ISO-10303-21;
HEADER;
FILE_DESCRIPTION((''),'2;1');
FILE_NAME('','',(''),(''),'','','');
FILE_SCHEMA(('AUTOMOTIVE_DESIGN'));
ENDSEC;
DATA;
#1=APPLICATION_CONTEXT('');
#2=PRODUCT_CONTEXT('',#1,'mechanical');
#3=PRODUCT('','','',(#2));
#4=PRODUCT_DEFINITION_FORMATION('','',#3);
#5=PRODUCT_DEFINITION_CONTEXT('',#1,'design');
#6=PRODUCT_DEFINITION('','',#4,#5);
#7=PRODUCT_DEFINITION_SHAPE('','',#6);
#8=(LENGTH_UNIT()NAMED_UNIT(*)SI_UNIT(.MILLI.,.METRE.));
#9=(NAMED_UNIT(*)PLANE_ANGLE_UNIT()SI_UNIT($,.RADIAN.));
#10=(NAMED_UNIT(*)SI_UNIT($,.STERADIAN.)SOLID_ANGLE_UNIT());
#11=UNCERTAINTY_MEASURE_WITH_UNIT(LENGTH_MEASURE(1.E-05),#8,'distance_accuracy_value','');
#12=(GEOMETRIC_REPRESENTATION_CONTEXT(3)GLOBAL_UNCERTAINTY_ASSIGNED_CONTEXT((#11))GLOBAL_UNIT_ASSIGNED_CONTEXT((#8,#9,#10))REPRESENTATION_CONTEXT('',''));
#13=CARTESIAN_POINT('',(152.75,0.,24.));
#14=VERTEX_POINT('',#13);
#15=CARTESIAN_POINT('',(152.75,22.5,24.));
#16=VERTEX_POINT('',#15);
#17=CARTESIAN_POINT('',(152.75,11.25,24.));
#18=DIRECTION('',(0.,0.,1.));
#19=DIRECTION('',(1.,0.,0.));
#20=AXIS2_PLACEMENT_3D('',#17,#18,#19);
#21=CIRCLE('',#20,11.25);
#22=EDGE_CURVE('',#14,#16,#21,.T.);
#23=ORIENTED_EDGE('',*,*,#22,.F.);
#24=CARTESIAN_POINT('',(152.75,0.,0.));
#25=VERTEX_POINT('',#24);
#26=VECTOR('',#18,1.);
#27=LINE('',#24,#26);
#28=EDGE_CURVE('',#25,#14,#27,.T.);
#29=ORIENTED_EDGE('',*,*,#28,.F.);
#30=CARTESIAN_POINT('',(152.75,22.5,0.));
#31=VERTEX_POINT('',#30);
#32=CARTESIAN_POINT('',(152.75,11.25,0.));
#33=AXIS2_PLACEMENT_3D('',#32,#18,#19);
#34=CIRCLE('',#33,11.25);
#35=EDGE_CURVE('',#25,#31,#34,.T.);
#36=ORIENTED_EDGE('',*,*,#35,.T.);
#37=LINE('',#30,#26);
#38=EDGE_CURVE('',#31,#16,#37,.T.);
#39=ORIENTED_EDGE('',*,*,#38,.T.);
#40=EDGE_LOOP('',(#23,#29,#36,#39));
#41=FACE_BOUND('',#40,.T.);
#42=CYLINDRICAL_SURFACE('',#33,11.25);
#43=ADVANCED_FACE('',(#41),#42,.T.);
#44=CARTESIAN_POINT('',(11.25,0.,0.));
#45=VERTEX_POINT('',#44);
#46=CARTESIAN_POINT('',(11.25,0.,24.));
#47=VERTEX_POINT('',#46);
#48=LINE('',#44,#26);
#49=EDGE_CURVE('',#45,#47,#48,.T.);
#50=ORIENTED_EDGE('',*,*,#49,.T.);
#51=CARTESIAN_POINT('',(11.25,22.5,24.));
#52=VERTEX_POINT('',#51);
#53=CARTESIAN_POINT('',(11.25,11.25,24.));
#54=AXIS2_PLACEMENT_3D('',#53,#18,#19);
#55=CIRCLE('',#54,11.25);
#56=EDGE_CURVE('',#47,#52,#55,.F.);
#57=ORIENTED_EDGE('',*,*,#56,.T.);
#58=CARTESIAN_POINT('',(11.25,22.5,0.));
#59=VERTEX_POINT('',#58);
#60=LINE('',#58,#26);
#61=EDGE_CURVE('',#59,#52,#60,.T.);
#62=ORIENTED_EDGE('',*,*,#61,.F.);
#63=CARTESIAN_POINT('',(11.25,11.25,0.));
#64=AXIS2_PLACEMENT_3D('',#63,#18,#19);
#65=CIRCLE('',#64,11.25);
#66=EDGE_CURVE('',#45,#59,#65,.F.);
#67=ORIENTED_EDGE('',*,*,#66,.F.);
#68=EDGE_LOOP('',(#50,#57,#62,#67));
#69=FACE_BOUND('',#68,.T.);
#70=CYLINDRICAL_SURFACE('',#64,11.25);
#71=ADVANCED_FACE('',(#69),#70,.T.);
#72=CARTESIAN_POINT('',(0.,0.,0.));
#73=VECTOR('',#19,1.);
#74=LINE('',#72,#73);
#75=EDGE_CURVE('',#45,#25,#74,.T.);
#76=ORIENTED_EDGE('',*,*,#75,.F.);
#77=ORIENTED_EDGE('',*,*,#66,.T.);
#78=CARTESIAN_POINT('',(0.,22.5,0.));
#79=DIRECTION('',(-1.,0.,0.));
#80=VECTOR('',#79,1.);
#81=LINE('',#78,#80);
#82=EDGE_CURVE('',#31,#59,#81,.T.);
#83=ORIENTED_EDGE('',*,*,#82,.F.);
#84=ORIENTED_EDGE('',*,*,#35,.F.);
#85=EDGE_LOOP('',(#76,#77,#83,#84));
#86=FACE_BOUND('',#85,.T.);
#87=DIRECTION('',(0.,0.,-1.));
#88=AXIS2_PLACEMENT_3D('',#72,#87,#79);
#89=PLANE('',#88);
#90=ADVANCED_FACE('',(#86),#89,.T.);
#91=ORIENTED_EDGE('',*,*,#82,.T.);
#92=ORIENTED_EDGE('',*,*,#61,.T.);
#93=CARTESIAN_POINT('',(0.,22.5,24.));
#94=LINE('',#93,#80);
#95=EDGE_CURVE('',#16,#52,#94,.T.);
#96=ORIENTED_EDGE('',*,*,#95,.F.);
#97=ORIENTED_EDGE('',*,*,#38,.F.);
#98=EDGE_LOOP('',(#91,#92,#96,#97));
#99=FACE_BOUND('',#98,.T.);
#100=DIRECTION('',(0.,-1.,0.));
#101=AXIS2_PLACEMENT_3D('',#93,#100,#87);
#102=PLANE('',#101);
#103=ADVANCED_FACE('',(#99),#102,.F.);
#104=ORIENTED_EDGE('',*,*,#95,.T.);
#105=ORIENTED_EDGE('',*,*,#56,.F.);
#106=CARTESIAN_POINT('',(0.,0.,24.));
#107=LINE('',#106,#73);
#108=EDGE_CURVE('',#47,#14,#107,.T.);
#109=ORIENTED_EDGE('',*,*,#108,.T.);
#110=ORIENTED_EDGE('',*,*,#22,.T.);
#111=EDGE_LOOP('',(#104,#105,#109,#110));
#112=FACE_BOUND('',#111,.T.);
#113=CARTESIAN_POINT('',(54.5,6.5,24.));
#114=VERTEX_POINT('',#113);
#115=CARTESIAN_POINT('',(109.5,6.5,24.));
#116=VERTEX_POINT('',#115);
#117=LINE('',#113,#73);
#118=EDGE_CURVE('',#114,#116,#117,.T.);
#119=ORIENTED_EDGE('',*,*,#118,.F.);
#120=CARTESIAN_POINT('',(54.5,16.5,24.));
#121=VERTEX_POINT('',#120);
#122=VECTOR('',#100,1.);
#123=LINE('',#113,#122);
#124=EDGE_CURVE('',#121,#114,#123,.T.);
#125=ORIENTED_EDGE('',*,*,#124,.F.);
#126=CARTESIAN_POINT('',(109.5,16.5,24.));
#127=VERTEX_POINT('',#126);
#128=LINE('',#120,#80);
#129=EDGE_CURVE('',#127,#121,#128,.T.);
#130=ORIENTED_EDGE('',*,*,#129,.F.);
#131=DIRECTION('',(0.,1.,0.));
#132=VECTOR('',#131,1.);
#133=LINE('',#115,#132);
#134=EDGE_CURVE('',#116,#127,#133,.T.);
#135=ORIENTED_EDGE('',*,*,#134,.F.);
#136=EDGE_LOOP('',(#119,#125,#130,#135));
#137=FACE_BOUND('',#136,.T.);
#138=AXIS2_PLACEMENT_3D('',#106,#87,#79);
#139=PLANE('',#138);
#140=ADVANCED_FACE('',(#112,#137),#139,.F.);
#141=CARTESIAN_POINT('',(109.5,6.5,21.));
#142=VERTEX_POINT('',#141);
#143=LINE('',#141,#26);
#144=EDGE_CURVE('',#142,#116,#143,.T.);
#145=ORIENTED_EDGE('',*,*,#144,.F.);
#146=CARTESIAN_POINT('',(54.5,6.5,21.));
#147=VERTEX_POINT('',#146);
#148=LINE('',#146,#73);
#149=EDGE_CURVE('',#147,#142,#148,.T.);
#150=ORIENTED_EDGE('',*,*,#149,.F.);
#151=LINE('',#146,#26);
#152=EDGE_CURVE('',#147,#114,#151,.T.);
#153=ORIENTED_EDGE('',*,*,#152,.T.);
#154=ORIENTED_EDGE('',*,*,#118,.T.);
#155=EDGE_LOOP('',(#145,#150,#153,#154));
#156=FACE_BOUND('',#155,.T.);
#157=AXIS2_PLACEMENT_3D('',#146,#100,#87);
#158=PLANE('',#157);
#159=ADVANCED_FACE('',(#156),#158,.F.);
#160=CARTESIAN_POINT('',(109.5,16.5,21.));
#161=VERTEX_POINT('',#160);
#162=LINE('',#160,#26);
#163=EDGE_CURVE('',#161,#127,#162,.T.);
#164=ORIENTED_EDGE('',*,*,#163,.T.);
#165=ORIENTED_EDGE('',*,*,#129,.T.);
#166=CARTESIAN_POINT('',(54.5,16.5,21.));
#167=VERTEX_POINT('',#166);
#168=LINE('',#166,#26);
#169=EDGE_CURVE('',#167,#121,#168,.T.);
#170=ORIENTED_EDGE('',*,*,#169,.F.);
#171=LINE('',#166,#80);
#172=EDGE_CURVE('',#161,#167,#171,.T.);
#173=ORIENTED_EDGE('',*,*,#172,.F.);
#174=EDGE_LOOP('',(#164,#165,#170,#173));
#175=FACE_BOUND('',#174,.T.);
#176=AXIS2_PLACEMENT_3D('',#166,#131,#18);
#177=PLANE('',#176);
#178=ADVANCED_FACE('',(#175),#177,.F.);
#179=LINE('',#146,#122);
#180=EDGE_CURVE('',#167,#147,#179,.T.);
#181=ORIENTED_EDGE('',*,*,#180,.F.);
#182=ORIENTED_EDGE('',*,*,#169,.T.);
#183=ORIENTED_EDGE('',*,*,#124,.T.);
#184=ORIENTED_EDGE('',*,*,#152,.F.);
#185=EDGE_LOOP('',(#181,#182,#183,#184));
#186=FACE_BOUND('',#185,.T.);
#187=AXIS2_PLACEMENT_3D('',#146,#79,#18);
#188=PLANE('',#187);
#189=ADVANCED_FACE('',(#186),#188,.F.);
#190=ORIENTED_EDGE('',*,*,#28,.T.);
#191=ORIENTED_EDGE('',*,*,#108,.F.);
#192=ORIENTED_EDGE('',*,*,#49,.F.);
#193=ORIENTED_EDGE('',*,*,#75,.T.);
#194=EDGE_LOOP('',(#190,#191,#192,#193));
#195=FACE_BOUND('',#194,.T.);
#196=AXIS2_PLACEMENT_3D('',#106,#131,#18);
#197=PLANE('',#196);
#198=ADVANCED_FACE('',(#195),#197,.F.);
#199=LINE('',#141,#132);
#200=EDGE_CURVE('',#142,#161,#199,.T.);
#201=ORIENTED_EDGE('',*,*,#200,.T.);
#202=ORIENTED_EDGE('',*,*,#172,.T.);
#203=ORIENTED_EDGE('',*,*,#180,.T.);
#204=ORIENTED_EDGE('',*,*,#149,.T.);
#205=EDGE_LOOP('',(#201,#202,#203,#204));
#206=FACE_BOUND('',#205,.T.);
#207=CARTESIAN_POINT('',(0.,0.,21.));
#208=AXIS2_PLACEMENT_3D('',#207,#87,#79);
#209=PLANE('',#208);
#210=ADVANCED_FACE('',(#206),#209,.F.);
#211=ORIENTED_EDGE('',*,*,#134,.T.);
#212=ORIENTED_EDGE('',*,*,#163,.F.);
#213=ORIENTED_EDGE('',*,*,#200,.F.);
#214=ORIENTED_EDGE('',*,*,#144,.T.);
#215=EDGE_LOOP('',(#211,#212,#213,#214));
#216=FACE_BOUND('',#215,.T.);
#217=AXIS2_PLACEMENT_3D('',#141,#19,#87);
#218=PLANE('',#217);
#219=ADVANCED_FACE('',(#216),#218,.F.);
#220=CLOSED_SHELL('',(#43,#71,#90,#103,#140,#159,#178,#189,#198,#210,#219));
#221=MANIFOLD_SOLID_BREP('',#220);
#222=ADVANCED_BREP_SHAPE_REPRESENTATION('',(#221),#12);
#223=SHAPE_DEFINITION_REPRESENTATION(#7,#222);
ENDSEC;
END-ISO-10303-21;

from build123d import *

# Parameters (mm, degrees)
SKETCH_1_W          = 164
SKETCH_1_H          = 22.5
EXTRUDE_1_DEPTH     = 24
CUT_EXTRUDE_1_DEPTH = 24
SKETCH_3_W          = 55
SKETCH_3_H          = 10
CUT_EXTRUDE_2_DEPTH = 3


with BuildPart() as part:
    # 草图1 → 凸台-拉伸1 (new body)
    with BuildSketch(Plane.XY):
        with Locations((82, 11.25)):
            Rectangle(SKETCH_1_W, SKETCH_1_H)
    extrude(amount=EXTRUDE_1_DEPTH)

    # 草图2 → 切除-拉伸1 (cut)
    with BuildSketch(Plane.XY.offset(24)):
        with BuildLine():
            ThreePointArc((0, 11.25), (3.295048712, 19.204951288), (11.25, 22.5))
            Line((11.25, 22.5), (0, 22.5))
            Line((0, 22.5), (0, 11.25))
        make_face()
        with BuildLine():
            ThreePointArc((11.25, 0), (3.295048712, 3.295048712), (0, 11.25))
            Line((0, 11.25), (0, 0))
            Line((0, 0), (11.25, 0))
        make_face()
        with BuildLine():
            Line((164, 22.5), (152.75, 22.5))
            ThreePointArc((152.75, 22.5), (160.704951288, 19.204951288), (164, 11.25))
            Line((164, 11.25), (164, 22.5))
        make_face()
        with BuildLine():
            Line((164, 0), (164, 11.25))
            ThreePointArc((164, 11.25), (160.704951288, 3.295048712), (152.75, 0))
            Line((152.75, 0), (164, 0))
        make_face()
    extrude(amount=-CUT_EXTRUDE_1_DEPTH, mode=Mode.SUBTRACT)

    # 草图3 → 切除-拉伸2 (cut)
    with BuildSketch(Plane.XY.offset(24)):
        with Locations((82, 11.5)):
            Rectangle(SKETCH_3_W, SKETCH_3_H)
    extrude(amount=-CUT_EXTRUDE_2_DEPTH, mode=Mode.SUBTRACT)


solid = part.part
